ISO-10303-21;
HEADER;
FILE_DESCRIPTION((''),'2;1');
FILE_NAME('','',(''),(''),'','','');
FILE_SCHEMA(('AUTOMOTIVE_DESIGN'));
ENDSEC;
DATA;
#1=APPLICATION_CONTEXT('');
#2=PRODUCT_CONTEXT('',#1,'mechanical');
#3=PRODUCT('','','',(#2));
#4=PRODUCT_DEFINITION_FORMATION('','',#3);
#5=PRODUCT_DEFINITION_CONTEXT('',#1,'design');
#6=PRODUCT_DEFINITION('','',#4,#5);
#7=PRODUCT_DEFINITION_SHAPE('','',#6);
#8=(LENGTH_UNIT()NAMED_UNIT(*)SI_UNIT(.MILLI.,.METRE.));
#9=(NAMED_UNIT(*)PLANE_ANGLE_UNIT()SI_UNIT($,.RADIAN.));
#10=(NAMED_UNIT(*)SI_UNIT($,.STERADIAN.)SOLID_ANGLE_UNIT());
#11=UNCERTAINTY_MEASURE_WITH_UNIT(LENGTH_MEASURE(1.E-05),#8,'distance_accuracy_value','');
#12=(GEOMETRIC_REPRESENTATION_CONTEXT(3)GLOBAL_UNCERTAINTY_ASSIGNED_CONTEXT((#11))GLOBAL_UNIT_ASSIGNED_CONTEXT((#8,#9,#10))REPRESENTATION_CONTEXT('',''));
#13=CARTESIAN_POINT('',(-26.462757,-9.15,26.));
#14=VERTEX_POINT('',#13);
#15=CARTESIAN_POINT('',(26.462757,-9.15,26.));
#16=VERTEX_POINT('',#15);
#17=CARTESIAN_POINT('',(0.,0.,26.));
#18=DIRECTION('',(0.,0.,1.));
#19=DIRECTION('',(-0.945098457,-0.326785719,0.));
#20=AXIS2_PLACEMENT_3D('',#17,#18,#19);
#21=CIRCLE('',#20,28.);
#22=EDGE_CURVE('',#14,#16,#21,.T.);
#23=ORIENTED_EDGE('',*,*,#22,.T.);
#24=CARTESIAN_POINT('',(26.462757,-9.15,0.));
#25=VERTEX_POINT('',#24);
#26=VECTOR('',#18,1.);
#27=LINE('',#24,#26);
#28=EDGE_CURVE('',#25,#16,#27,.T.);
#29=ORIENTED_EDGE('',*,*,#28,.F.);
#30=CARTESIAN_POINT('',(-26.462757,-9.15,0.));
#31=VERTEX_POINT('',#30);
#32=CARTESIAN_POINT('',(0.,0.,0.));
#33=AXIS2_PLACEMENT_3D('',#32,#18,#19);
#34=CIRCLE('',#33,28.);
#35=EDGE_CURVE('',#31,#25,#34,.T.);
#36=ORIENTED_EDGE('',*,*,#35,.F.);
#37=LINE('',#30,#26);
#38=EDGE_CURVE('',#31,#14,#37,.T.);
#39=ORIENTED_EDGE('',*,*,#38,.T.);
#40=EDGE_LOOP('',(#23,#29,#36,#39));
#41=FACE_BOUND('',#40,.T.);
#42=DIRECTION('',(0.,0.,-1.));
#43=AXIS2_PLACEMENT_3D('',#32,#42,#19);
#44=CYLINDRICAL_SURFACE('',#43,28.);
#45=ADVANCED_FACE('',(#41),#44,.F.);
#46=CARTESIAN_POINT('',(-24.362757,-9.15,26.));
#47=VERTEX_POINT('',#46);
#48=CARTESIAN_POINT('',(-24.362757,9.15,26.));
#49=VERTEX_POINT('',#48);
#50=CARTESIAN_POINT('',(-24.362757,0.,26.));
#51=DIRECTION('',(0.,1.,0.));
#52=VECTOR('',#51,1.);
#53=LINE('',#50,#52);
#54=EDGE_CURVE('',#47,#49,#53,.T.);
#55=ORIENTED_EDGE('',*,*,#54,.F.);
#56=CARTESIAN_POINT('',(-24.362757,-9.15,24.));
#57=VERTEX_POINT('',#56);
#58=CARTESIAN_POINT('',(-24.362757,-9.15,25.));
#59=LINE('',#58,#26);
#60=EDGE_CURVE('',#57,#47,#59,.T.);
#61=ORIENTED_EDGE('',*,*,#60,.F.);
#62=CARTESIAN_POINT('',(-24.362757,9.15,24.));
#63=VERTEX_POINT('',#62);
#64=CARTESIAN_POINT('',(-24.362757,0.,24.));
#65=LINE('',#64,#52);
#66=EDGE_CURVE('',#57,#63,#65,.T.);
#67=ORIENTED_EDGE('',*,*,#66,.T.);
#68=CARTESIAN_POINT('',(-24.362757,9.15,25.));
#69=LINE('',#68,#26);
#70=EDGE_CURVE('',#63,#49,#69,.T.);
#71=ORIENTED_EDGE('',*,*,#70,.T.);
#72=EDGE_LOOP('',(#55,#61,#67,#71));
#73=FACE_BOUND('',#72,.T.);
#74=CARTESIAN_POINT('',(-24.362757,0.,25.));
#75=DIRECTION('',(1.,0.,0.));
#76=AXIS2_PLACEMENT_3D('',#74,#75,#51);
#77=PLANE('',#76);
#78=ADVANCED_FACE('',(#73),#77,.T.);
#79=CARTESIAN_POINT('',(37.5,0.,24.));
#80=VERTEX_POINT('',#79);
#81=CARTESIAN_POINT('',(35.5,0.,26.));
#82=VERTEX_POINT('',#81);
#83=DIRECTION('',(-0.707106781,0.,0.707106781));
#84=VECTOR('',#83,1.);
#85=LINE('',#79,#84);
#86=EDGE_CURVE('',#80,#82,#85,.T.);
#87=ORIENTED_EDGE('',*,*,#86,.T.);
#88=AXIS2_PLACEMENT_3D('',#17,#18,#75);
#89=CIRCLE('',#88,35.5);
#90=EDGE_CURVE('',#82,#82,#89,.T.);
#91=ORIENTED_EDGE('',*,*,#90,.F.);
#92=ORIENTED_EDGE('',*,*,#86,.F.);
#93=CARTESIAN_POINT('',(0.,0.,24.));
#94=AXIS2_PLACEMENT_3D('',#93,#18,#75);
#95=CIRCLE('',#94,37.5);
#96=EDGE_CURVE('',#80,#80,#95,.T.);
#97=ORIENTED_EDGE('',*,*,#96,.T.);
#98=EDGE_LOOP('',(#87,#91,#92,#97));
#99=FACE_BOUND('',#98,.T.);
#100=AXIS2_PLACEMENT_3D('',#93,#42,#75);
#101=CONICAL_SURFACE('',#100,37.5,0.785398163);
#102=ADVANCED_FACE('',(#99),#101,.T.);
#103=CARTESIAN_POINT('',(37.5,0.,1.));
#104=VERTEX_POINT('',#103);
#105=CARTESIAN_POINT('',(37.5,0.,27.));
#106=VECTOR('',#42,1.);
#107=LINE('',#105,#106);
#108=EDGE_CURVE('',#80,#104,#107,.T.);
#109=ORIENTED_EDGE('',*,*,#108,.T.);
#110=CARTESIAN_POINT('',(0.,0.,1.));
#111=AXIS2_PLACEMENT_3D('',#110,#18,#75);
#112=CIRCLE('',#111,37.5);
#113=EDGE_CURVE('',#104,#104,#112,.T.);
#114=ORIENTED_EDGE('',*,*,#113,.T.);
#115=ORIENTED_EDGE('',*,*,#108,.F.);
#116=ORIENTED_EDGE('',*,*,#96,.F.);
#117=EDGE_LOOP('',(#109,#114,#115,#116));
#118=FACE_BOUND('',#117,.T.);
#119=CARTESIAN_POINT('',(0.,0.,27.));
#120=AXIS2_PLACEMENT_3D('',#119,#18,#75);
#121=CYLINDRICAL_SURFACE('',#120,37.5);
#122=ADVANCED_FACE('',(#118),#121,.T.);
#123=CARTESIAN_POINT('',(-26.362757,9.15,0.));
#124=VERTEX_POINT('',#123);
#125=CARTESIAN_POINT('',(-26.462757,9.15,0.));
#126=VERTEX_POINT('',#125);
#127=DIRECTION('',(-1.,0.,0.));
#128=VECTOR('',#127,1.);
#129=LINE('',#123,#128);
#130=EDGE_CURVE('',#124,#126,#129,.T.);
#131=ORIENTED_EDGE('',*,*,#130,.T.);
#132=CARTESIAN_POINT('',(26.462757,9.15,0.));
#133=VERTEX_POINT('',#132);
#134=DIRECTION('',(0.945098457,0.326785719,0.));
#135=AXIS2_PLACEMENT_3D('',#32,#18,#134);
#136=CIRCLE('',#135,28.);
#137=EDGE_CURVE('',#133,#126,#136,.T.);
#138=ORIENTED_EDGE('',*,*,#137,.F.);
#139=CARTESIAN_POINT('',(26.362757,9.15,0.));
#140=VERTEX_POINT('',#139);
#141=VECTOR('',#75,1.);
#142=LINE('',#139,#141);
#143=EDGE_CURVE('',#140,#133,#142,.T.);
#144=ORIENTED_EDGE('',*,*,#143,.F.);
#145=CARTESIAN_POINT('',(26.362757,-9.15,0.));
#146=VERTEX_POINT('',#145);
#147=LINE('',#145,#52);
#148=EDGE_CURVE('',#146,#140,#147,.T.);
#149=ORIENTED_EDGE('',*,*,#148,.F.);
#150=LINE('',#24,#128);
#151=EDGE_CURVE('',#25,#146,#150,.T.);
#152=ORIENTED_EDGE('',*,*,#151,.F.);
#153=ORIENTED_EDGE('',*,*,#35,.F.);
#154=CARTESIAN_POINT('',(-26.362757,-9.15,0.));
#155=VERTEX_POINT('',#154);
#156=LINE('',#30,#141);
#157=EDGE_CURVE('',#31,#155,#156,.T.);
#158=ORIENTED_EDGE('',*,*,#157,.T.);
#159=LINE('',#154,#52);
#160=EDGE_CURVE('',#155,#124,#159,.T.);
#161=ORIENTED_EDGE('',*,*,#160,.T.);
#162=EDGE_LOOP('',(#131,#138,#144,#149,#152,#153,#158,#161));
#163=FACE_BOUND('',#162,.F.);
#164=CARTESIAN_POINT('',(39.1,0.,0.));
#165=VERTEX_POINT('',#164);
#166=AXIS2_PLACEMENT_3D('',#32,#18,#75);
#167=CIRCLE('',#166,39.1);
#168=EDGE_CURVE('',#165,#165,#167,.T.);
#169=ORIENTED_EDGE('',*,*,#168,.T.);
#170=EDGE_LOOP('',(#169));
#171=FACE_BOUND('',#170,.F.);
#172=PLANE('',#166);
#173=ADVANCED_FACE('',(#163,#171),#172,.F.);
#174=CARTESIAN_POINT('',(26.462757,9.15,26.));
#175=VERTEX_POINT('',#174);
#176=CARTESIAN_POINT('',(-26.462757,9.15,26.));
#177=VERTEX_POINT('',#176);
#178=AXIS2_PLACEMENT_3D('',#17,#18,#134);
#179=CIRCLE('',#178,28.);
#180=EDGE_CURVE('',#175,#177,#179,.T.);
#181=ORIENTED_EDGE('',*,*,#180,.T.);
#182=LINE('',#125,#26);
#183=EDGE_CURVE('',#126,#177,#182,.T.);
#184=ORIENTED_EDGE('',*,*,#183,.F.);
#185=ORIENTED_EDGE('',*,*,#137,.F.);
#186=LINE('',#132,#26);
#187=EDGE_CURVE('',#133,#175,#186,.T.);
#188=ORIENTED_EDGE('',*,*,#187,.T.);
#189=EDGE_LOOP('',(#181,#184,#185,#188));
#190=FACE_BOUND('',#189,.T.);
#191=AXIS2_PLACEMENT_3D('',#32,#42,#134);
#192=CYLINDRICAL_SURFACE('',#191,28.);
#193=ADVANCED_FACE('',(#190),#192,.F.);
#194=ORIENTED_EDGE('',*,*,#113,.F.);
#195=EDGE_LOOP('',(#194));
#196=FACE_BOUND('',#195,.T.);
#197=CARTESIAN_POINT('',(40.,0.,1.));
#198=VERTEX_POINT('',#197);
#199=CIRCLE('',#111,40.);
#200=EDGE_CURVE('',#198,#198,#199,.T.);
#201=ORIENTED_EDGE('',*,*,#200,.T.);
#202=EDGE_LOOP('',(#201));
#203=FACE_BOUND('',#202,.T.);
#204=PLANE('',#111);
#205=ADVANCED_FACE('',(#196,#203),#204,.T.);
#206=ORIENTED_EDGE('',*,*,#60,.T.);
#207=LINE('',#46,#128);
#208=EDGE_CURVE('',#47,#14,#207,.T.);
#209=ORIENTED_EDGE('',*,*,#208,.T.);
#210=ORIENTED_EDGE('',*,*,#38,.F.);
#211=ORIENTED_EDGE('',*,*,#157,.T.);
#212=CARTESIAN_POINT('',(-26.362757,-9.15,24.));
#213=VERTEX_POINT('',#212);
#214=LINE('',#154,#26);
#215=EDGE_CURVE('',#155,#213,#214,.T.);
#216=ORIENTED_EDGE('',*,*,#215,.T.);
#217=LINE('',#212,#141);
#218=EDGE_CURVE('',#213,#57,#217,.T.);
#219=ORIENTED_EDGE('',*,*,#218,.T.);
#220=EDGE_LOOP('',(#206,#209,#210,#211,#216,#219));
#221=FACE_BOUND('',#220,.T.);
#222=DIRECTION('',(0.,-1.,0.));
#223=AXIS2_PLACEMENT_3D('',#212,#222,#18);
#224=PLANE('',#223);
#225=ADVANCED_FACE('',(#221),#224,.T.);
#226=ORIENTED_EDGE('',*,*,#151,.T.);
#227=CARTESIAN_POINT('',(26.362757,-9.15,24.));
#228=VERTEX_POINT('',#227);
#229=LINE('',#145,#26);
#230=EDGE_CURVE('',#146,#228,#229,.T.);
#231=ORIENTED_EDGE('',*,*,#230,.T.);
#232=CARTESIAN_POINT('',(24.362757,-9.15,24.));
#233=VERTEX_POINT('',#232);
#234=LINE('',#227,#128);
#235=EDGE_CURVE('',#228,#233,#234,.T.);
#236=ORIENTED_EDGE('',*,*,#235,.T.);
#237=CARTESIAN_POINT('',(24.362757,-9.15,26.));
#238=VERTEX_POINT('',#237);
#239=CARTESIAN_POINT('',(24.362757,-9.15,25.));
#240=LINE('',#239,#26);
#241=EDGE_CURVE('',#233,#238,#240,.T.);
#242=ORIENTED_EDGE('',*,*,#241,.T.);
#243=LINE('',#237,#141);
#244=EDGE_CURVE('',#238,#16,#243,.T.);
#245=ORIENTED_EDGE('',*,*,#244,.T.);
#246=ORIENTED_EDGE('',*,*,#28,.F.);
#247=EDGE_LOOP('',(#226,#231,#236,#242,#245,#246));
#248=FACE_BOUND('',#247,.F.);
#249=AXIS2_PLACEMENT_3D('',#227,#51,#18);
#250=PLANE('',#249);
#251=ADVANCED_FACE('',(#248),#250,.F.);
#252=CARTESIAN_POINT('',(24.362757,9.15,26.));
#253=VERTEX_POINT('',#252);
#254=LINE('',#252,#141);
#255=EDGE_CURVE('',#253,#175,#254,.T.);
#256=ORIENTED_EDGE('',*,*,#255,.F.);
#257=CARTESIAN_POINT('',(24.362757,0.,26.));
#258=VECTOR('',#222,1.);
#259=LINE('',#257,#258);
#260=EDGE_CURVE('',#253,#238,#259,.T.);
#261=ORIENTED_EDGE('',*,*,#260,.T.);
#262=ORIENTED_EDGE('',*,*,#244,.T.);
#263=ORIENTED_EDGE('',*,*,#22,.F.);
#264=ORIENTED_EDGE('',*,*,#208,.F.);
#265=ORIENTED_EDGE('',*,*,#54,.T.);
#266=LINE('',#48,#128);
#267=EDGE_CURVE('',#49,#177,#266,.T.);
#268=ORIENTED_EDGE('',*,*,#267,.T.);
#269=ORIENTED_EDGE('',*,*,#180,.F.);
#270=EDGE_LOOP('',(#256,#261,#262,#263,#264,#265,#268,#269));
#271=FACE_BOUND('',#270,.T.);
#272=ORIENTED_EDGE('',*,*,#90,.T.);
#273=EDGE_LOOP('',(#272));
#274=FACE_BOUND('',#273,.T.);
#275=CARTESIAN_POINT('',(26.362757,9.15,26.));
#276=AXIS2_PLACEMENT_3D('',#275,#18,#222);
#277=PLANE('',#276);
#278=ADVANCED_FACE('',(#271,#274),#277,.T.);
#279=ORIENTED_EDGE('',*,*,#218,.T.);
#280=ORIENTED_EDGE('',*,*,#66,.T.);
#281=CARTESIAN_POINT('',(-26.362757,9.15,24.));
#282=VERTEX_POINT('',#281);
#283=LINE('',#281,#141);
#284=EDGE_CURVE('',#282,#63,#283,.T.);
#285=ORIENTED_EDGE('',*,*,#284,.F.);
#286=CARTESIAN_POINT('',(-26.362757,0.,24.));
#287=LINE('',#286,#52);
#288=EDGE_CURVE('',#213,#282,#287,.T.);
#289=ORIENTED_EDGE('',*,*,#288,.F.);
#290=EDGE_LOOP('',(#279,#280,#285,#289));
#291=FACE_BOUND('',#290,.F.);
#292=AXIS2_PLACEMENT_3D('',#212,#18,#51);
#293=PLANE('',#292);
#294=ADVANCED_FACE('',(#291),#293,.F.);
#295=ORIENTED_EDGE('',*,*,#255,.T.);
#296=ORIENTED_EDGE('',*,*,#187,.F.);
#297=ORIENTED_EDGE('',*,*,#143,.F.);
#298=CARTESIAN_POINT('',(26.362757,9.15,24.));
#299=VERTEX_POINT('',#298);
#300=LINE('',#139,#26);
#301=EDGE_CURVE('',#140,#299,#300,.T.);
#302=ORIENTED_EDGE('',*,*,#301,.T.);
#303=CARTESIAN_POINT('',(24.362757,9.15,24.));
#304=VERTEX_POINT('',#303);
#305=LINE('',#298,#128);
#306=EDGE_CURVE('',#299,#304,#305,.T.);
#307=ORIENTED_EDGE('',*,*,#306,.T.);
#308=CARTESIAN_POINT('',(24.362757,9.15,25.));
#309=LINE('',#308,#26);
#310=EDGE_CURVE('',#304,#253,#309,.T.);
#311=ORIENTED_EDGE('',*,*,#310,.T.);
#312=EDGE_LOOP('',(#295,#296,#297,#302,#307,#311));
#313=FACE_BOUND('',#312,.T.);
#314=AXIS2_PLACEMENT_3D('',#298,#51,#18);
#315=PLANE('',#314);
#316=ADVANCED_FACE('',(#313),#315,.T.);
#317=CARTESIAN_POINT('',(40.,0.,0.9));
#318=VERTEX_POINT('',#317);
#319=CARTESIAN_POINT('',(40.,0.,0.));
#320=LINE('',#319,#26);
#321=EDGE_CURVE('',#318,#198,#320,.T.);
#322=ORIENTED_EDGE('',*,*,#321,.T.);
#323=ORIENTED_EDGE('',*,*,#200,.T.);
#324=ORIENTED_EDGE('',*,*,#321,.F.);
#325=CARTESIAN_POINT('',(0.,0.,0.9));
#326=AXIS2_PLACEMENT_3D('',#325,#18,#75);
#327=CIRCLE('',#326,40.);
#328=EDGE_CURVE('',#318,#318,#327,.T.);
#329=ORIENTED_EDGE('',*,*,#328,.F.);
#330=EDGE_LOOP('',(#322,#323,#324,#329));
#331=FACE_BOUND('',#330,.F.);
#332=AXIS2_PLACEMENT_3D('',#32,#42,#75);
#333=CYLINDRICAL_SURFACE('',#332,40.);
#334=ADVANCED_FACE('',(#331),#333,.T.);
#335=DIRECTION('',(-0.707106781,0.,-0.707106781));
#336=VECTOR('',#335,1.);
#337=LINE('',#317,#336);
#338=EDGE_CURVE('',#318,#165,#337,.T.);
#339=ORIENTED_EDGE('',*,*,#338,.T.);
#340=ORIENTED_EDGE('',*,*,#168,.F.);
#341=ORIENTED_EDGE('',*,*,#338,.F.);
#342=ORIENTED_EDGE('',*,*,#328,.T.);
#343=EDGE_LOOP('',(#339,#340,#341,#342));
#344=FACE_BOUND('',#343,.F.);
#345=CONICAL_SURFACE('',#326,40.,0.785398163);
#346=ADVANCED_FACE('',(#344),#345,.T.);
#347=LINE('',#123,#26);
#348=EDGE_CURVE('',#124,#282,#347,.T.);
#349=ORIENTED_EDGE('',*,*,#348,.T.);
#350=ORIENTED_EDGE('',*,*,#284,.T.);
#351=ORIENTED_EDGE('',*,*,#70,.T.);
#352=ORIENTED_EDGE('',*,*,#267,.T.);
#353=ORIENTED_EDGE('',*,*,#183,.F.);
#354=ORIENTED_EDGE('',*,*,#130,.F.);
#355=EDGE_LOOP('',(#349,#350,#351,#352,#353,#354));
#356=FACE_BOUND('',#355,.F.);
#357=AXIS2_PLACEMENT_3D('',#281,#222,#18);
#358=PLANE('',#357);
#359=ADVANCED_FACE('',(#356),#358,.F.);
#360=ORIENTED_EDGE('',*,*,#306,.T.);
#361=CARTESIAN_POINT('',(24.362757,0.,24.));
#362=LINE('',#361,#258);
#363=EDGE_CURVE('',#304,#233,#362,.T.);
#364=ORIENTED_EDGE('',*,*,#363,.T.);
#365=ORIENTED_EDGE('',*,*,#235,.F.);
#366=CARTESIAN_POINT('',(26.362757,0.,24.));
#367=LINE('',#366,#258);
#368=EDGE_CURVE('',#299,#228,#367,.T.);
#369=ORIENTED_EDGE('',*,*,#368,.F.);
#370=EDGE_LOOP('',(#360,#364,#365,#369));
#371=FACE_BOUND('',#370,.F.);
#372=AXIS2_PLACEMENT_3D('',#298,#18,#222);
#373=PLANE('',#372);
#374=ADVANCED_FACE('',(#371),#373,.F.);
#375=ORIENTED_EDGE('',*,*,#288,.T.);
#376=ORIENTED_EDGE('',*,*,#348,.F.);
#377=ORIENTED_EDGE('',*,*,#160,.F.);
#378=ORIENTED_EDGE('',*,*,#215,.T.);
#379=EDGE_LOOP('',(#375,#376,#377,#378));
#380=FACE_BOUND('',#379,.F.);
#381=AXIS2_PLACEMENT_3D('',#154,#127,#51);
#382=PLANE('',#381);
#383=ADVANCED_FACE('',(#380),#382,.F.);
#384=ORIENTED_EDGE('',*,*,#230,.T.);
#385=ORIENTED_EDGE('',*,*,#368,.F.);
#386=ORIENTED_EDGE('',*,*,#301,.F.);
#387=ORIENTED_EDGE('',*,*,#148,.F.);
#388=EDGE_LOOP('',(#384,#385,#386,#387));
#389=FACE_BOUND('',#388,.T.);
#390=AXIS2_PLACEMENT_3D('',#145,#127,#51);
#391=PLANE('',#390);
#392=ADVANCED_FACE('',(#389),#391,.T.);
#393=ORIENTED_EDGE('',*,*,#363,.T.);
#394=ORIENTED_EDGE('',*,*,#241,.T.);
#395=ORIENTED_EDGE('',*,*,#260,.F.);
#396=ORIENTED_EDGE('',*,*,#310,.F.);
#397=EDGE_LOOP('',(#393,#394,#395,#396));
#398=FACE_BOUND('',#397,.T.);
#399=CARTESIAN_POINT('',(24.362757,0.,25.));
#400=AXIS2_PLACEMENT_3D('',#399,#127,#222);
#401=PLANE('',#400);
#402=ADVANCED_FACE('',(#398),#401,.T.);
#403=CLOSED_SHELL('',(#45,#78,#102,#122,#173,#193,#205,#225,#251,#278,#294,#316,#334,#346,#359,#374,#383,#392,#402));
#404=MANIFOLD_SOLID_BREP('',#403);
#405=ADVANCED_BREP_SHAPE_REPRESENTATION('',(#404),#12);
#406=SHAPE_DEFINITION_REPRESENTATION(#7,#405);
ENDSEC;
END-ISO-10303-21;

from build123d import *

# Parameters (mm, degrees)
SKETCH_R        = 40
PAD_DEPTH       = 26
SKETCH001_R     = 40
SKETCH001_R_2   = 37.5
POCKET_DEPTH    = 26
SKETCH002_W     = 18.3
SKETCH002_H     = 2
PAD001_DEPTH    = 2
SKETCH003_W     = 18.3
SKETCH003_H     = 2
PAD002_DEPTH    = 2
CHAMFER_SIZE    = 2
CHAMFER001_SIZE = 0.9


with BuildPart() as part:
    # Sketch → Pad (new body)
    with BuildSketch(Plane.XY):
        Circle(SKETCH_R)
        with BuildLine():
            ThreePointArc((26.462757, 9.15), (0, 28), (-26.462757, 9.15))
            Line((-26.362757, 9.15), (-26.462757, 9.15))
            Line((-26.362757, -9.15), (-26.362757, 9.15))
            Line((-26.462757, -9.15), (-26.362757, -9.15))
            ThreePointArc((-26.462757, -9.15), (0, -28), (26.462757, -9.15))
            Line((26.462757, -9.15), (26.362757, -9.15))
            Line((26.362757, -9.15), (26.362757, 9.15))
            Line((26.362757, 9.15), (26.462757, 9.15))
        make_face(mode=Mode.SUBTRACT)
    extrude(amount=PAD_DEPTH)

    # Sketch001 → Pocket (cut)
    with BuildSketch(Plane.XY.offset(27)):
        Circle(SKETCH001_R)
        Circle(SKETCH001_R_2, mode=Mode.SUBTRACT)
    extrude(amount=-POCKET_DEPTH, mode=Mode.SUBTRACT)

    # Sketch002 (on Face10 of Pocket) → Pad001 (join)
    with BuildSketch(Plane.YZ.offset(-26.362757)):
        with Locations((0, 25)):
            Rectangle(SKETCH002_W, SKETCH002_H)
    extrude(amount=PAD001_DEPTH)

    # Sketch003 (on Face6 of Pad001) → Pad002 (join)
    with BuildSketch(Plane(origin=(26.362757, 0, 0), x_dir=(0, -1, 0), z_dir=(-1, 0, 0))):
        with Locations((0, 25)):
            Rectangle(SKETCH003_W, SKETCH003_H)
    extrude(amount=PAD002_DEPTH)

    # Chamfer
    chamfer_edges = [part.edges().sort_by_distance(p)[0] for p in [
        (-37.5, 0, 26),
    ]]
    chamfer(chamfer_edges, length=CHAMFER_SIZE)

    # Chamfer001
    chamfer001_edges = [part.edges().sort_by_distance(p)[0] for p in [
        (-40, 0, 0),
    ]]
    chamfer(chamfer001_edges, length=CHAMFER001_SIZE)


solid = part.part
